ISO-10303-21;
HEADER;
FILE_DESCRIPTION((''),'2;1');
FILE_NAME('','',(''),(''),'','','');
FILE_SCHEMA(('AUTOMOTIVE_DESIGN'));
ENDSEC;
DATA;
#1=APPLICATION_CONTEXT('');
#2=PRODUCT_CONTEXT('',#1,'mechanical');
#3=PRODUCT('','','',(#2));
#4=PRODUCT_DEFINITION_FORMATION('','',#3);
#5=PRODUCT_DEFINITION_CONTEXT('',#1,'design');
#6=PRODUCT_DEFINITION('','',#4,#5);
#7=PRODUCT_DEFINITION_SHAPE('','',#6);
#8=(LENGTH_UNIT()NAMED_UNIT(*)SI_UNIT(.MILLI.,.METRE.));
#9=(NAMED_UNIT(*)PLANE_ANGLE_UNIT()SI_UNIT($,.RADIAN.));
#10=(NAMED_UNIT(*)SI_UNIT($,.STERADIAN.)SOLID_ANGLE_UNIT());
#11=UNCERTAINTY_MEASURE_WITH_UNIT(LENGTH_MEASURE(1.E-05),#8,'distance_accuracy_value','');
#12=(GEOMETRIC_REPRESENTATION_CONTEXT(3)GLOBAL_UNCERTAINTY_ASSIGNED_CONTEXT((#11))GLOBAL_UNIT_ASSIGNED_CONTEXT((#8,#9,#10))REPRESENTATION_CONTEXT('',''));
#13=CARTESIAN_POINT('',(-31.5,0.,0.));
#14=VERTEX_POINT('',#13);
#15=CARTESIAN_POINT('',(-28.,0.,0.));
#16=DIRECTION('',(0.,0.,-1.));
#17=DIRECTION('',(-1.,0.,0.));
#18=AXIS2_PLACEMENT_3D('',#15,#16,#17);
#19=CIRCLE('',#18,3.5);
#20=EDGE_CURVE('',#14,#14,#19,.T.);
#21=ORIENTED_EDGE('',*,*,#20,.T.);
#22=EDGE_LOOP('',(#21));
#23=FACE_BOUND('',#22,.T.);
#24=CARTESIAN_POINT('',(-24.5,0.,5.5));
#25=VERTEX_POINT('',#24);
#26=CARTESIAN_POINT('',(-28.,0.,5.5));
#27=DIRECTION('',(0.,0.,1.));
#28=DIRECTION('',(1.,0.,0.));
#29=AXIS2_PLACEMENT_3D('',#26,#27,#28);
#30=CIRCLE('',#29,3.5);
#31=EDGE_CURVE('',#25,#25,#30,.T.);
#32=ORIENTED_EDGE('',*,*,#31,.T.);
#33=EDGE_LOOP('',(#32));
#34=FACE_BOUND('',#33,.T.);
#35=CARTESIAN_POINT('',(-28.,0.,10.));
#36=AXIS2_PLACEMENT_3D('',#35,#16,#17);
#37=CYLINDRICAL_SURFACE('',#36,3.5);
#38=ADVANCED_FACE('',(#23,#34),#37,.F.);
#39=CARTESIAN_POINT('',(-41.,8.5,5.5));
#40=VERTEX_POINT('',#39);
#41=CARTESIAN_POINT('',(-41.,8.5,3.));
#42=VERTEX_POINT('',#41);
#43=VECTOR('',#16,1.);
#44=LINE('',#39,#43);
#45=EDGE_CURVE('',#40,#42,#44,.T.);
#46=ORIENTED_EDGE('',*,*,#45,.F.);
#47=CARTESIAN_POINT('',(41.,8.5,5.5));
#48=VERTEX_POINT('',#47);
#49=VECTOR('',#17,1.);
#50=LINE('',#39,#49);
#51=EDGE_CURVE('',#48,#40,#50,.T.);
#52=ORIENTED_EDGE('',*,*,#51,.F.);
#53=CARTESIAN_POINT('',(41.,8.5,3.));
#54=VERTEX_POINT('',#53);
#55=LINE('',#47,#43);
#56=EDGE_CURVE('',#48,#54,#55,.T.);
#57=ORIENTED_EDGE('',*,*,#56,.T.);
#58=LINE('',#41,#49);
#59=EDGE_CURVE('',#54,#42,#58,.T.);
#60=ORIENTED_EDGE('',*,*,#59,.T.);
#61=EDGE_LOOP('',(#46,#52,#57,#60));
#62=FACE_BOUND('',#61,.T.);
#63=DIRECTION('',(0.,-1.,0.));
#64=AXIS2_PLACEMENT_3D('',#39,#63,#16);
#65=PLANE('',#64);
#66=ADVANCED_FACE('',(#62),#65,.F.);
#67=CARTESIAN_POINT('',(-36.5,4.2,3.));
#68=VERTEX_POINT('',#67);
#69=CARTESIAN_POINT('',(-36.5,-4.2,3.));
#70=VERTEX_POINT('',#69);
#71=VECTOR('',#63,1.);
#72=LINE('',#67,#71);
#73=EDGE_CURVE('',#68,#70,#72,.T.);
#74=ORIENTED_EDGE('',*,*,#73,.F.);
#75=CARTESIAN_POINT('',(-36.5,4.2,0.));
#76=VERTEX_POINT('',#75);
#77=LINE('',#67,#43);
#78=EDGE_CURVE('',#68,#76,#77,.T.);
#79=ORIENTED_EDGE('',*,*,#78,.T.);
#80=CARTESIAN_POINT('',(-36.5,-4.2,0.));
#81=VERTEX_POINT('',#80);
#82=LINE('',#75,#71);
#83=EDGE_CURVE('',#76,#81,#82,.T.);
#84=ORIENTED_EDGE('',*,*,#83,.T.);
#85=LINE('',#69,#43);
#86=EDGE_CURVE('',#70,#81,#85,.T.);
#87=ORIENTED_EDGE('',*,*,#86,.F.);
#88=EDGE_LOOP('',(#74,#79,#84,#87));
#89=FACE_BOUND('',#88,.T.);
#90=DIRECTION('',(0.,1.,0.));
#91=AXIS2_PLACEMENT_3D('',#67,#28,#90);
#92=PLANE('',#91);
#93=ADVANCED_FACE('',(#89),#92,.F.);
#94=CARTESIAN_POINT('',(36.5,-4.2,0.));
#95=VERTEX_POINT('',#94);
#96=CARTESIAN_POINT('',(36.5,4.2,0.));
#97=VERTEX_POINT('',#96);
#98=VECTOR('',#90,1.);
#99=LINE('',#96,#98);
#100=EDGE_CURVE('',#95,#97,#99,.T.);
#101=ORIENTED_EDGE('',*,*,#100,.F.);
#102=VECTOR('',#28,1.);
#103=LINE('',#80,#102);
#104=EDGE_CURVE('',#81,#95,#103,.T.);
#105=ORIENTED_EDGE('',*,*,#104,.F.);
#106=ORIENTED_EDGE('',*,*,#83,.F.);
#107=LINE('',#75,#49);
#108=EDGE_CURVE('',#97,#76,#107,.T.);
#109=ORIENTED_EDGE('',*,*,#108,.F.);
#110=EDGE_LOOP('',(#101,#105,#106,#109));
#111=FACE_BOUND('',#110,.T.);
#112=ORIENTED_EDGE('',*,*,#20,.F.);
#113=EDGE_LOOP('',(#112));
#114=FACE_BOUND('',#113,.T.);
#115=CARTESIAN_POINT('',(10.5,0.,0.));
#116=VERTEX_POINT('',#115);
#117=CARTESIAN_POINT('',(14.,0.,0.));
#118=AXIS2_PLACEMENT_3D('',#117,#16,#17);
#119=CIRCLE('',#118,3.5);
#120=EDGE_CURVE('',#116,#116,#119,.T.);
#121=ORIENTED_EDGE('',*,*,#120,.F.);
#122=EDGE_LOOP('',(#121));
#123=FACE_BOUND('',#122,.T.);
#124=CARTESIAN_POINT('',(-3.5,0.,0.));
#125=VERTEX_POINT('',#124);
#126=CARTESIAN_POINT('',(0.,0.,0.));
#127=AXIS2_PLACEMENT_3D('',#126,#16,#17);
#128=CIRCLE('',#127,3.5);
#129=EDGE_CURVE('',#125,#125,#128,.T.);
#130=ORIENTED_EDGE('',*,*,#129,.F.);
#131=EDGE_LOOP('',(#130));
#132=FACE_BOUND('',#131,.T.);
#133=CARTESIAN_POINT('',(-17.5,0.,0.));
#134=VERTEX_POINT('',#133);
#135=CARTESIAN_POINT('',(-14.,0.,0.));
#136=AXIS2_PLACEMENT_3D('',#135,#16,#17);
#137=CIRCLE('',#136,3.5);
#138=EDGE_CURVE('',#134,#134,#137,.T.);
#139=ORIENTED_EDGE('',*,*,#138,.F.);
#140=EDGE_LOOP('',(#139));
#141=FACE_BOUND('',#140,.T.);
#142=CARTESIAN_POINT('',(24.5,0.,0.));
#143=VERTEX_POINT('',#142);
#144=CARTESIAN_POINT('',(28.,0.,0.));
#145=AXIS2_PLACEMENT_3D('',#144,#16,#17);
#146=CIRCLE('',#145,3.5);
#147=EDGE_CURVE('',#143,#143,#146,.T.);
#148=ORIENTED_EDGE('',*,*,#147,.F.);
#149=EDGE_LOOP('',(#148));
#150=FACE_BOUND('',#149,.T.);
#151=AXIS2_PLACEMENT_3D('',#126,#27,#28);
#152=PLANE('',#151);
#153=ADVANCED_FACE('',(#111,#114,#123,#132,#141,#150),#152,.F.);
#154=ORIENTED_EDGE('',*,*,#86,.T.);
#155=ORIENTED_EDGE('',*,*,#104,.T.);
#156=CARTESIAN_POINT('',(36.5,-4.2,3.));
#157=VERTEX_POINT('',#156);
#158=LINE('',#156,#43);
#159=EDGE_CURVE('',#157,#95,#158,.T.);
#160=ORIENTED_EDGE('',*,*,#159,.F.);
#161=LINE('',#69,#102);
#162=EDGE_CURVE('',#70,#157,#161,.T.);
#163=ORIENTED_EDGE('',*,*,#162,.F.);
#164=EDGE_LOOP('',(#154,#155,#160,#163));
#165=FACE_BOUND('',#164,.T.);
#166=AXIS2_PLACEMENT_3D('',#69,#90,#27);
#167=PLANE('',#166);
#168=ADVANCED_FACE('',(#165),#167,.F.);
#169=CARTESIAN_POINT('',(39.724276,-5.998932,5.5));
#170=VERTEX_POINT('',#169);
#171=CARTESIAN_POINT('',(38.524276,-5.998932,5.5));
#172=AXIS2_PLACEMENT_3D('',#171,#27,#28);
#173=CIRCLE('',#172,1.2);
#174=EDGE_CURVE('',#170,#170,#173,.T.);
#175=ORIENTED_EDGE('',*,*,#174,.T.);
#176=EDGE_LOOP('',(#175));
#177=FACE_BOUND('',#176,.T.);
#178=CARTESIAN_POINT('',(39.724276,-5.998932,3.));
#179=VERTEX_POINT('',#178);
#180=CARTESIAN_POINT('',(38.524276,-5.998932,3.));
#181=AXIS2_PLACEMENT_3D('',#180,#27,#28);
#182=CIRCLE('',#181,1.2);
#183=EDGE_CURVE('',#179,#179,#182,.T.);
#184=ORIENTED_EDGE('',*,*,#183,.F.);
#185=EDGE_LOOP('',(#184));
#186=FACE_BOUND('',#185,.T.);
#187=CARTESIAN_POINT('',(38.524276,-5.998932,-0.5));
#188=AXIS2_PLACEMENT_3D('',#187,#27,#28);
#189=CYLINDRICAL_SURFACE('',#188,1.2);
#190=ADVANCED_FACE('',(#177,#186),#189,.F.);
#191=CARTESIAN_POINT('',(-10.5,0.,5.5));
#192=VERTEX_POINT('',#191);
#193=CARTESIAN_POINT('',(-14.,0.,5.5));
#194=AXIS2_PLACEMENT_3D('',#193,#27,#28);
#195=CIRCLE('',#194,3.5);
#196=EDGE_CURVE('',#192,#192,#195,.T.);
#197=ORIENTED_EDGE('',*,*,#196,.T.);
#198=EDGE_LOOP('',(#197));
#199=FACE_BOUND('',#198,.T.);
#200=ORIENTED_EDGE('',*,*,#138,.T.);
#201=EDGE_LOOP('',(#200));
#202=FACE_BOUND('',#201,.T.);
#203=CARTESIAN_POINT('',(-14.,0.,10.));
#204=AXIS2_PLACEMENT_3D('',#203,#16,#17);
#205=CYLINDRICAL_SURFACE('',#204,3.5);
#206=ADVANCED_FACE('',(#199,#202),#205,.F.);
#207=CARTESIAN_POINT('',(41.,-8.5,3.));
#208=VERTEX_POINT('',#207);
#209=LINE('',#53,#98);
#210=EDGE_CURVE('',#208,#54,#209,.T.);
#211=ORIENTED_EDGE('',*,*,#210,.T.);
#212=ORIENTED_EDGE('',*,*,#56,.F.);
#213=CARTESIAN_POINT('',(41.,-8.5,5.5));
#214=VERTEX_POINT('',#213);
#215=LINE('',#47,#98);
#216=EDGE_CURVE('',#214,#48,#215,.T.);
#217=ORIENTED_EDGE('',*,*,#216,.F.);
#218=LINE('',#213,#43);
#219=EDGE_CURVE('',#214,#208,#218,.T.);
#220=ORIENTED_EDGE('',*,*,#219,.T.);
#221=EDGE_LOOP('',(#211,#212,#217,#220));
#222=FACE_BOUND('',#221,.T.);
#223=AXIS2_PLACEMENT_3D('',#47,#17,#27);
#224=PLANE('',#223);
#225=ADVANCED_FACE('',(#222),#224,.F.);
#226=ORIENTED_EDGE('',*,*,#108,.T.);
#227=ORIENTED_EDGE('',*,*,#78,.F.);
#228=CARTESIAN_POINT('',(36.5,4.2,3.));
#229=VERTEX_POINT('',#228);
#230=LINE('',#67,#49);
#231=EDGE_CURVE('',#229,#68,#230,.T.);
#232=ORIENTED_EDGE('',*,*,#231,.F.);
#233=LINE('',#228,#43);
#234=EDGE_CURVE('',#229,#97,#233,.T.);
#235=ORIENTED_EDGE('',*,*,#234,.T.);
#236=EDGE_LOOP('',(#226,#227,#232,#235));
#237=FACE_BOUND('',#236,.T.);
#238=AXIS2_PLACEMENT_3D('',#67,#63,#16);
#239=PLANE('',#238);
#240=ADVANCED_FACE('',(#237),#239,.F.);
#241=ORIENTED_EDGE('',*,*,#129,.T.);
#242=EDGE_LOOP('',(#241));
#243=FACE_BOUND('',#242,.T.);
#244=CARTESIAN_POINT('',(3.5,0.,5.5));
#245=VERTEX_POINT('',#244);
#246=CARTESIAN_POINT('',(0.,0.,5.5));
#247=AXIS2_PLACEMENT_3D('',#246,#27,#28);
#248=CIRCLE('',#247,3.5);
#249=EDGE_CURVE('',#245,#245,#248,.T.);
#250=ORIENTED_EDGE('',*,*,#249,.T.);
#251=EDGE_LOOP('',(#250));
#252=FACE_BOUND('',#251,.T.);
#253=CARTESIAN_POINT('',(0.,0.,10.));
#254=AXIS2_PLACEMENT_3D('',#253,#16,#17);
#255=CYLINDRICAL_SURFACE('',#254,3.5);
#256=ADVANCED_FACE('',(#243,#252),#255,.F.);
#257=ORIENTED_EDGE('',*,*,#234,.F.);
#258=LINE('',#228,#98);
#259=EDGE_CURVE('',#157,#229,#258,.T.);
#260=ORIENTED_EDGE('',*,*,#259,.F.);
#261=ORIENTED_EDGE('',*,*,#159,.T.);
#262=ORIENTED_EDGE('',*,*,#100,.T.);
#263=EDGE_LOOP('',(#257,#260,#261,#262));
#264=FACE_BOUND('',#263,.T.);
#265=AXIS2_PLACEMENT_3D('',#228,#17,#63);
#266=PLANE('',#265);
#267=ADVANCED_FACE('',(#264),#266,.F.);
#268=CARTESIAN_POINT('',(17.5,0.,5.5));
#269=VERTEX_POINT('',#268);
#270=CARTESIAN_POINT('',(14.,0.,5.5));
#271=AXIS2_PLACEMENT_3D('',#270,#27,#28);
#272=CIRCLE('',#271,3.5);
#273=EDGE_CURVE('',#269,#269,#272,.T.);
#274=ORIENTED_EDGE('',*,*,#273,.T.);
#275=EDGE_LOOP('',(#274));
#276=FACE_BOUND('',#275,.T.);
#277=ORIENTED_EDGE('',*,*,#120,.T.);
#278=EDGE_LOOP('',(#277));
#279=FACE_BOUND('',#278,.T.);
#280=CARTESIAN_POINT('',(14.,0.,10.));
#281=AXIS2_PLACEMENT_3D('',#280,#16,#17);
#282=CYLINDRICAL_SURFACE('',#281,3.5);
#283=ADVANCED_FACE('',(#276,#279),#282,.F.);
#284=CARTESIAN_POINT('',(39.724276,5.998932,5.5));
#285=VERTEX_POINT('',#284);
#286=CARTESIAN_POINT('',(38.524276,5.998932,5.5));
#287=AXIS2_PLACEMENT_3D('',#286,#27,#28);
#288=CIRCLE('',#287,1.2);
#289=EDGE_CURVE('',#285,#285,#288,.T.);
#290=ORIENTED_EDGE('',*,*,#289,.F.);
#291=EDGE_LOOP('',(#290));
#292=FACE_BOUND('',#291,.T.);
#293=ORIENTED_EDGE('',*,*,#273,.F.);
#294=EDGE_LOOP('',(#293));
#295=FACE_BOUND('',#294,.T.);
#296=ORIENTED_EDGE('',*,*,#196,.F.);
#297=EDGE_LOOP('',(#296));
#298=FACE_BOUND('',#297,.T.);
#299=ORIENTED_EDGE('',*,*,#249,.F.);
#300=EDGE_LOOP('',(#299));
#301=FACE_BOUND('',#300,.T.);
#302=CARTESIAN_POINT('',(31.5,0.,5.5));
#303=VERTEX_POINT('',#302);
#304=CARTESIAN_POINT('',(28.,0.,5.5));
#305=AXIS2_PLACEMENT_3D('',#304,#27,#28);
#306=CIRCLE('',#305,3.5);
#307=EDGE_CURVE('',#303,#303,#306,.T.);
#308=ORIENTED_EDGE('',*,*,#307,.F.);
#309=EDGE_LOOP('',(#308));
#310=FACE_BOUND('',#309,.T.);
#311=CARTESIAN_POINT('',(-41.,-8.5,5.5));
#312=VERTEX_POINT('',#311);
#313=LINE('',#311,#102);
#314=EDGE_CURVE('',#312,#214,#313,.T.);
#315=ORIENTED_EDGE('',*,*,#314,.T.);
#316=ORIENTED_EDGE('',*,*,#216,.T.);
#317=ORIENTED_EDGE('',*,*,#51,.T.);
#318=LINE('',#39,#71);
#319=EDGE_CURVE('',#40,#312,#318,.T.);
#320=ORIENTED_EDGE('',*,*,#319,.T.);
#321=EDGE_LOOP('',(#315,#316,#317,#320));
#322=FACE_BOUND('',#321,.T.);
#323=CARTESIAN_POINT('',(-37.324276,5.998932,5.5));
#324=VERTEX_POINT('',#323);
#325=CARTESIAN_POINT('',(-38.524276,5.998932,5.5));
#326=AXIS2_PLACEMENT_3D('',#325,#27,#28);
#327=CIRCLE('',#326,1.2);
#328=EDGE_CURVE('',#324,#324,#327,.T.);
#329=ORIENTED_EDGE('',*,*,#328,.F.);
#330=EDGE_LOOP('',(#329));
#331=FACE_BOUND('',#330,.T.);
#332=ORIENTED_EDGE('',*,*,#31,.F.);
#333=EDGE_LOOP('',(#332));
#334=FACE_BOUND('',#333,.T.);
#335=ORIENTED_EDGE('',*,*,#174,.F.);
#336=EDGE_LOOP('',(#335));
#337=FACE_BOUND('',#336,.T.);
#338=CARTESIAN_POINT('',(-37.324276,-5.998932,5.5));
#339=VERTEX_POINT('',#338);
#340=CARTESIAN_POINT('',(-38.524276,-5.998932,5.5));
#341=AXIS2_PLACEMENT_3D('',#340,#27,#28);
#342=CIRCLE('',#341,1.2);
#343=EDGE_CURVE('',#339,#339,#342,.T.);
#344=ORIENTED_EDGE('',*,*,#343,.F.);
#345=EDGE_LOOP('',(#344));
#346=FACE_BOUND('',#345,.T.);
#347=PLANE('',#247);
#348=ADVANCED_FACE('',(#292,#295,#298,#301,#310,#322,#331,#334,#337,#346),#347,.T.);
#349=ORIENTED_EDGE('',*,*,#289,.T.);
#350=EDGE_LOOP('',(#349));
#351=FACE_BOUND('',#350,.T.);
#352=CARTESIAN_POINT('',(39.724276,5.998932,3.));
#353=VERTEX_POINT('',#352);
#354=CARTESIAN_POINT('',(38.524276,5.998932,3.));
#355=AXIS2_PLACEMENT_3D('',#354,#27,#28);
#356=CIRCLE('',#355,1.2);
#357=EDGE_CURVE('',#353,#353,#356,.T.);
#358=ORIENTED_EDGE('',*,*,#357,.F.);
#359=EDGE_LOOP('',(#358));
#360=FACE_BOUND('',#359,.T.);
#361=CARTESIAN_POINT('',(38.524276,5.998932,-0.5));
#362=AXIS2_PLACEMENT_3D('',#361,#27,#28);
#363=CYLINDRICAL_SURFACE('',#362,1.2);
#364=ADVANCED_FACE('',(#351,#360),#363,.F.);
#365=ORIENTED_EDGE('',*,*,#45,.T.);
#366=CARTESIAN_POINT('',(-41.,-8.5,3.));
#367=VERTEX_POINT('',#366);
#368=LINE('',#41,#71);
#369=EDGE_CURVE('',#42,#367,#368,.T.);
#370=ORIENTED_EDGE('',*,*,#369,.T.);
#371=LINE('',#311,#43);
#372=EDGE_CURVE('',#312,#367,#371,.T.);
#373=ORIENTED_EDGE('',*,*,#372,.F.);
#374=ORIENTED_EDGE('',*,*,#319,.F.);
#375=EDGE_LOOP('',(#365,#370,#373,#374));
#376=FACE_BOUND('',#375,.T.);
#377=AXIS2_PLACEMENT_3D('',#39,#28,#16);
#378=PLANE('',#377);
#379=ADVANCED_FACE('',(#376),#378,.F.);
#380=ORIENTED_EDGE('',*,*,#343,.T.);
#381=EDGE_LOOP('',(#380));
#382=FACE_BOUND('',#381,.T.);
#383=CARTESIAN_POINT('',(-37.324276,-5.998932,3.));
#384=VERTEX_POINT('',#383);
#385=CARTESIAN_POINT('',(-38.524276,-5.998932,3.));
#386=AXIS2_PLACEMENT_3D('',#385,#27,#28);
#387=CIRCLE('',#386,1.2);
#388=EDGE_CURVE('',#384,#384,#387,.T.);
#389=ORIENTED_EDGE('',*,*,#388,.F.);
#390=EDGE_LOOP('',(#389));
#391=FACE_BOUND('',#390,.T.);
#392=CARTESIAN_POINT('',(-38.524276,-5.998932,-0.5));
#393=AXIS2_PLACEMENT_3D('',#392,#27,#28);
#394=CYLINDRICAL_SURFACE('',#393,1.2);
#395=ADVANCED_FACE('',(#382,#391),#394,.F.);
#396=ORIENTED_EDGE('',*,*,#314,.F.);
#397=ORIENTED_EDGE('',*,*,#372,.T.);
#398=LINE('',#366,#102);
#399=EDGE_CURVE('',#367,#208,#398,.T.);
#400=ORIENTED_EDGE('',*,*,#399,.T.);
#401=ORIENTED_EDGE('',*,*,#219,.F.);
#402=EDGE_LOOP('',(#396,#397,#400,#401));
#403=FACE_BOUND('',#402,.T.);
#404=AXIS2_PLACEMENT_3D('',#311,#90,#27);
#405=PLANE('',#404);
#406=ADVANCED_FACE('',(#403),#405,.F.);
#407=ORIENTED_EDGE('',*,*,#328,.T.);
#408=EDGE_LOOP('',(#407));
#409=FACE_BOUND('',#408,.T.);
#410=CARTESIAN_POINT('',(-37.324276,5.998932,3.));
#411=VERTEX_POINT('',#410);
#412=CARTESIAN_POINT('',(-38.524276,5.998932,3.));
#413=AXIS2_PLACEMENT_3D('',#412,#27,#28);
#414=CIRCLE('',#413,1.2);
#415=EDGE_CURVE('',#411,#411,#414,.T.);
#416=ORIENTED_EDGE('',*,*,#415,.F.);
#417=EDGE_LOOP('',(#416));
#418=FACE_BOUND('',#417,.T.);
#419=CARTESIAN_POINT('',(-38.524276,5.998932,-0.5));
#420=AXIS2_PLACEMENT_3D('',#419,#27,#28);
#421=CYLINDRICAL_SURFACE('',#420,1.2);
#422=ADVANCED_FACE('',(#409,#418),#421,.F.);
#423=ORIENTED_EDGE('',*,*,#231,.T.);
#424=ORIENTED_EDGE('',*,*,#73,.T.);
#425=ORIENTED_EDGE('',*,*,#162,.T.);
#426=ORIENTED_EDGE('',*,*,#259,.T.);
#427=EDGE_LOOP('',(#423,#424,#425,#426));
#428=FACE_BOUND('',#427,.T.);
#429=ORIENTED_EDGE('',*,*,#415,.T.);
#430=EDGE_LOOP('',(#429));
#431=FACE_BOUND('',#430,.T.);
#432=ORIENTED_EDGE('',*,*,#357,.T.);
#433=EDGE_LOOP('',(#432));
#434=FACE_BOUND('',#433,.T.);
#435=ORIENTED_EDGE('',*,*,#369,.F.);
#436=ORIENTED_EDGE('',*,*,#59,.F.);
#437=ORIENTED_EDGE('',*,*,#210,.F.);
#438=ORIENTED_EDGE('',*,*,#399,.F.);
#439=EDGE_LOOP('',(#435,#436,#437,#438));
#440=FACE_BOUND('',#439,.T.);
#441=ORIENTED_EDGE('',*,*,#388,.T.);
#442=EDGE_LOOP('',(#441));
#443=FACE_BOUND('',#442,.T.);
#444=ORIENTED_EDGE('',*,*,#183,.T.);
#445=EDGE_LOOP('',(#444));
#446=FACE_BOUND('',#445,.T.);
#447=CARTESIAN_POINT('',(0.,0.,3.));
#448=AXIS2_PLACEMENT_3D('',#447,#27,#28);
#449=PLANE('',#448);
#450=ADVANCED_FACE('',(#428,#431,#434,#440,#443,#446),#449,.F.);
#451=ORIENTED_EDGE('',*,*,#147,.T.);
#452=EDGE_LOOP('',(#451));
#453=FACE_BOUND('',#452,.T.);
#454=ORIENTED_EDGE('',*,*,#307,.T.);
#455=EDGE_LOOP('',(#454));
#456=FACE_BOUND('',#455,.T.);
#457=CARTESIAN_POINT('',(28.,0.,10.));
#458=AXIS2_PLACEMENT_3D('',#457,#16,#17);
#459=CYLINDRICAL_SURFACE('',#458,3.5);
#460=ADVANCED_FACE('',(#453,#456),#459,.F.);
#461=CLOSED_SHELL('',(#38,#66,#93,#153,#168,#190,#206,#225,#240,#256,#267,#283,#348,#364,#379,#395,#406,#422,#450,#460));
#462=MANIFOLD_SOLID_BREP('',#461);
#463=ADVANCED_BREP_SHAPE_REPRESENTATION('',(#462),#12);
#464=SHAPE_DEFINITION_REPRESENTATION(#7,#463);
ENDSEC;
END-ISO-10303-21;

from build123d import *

# Parameters (mm, degrees)
SKETCH_1_W             = 73
SKETCH_1_H             = 8.4
EXTRUDE_1_DEPTH        = 3
SKETCH_2_W             = 82
SKETCH_2_H             = 17
EXTRUDE_2_DEPTH        = 2.5
SKETCH_3_R             = 3.5
CUT_EXTRUDE_1_DEPTH    = 10
PATTERN_LINEAR_1_COUNT = 3
PATTERN_LINEAR_1_PITCH = 14
PATTERN_LINEAR_2_COUNT = 3
PATTERN_LINEAR_2_PITCH = 14
SKETCH_4_R             = 1.2
CUT_EXTRUDE_4_DEPTH    = 6


with BuildPart() as part:
    # Эскиз1 → Бобышка-Вытянуть1 (new body)
    with BuildSketch(Plane.XY):
        Rectangle(SKETCH_1_W, SKETCH_1_H)
    extrude(amount=EXTRUDE_1_DEPTH)

    # Эскиз2 → Бобышка-Вытянуть2 (add)
    with BuildSketch(Plane.XY.offset(3)):
        Rectangle(SKETCH_2_W, SKETCH_2_H)
    extrude(amount=EXTRUDE_2_DEPTH)

    # Эскиз3 → Вырез-Вытянуть1 (cut)
    with BuildSketch(Plane(origin=(0, 0, 0), x_dir=(-1, 0, 0), z_dir=(0, 0, -1))):
        Circle(SKETCH_3_R)
    cut_extrude_1 = extrude(amount=-CUT_EXTRUDE_1_DEPTH, mode=Mode.SUBTRACT)

    # Линейный массив1: Вырез-Вытянуть1 ×3
    with Locations(*[(i * PATTERN_LINEAR_1_PITCH, 0, 0) for i in range(1, PATTERN_LINEAR_1_COUNT)]):
        add(cut_extrude_1, mode=Mode.SUBTRACT)

    # Линейный массив2: Вырез-Вытянуть1 ×3
    with Locations(*[(-i * PATTERN_LINEAR_2_PITCH, 0, 0) for i in range(1, PATTERN_LINEAR_2_COUNT)]):
        add(cut_extrude_1, mode=Mode.SUBTRACT)

    # Эскиз4 → Вырез-Вытянуть4 (cut)
    with BuildSketch(Plane.XY.offset(5.5)):
        with Locations((-38.524276055, 5.998931776)):
            Circle(SKETCH_4_R)
        with Locations((-38.524276055, -5.998931776)):
            Circle(SKETCH_4_R)
        with Locations((38.524276055, -5.998931776)):
            Circle(SKETCH_4_R)
        with Locations((38.524276055, 5.998931776)):
            Circle(SKETCH_4_R)
    extrude(amount=-CUT_EXTRUDE_4_DEPTH, mode=Mode.SUBTRACT)


solid = part.part
